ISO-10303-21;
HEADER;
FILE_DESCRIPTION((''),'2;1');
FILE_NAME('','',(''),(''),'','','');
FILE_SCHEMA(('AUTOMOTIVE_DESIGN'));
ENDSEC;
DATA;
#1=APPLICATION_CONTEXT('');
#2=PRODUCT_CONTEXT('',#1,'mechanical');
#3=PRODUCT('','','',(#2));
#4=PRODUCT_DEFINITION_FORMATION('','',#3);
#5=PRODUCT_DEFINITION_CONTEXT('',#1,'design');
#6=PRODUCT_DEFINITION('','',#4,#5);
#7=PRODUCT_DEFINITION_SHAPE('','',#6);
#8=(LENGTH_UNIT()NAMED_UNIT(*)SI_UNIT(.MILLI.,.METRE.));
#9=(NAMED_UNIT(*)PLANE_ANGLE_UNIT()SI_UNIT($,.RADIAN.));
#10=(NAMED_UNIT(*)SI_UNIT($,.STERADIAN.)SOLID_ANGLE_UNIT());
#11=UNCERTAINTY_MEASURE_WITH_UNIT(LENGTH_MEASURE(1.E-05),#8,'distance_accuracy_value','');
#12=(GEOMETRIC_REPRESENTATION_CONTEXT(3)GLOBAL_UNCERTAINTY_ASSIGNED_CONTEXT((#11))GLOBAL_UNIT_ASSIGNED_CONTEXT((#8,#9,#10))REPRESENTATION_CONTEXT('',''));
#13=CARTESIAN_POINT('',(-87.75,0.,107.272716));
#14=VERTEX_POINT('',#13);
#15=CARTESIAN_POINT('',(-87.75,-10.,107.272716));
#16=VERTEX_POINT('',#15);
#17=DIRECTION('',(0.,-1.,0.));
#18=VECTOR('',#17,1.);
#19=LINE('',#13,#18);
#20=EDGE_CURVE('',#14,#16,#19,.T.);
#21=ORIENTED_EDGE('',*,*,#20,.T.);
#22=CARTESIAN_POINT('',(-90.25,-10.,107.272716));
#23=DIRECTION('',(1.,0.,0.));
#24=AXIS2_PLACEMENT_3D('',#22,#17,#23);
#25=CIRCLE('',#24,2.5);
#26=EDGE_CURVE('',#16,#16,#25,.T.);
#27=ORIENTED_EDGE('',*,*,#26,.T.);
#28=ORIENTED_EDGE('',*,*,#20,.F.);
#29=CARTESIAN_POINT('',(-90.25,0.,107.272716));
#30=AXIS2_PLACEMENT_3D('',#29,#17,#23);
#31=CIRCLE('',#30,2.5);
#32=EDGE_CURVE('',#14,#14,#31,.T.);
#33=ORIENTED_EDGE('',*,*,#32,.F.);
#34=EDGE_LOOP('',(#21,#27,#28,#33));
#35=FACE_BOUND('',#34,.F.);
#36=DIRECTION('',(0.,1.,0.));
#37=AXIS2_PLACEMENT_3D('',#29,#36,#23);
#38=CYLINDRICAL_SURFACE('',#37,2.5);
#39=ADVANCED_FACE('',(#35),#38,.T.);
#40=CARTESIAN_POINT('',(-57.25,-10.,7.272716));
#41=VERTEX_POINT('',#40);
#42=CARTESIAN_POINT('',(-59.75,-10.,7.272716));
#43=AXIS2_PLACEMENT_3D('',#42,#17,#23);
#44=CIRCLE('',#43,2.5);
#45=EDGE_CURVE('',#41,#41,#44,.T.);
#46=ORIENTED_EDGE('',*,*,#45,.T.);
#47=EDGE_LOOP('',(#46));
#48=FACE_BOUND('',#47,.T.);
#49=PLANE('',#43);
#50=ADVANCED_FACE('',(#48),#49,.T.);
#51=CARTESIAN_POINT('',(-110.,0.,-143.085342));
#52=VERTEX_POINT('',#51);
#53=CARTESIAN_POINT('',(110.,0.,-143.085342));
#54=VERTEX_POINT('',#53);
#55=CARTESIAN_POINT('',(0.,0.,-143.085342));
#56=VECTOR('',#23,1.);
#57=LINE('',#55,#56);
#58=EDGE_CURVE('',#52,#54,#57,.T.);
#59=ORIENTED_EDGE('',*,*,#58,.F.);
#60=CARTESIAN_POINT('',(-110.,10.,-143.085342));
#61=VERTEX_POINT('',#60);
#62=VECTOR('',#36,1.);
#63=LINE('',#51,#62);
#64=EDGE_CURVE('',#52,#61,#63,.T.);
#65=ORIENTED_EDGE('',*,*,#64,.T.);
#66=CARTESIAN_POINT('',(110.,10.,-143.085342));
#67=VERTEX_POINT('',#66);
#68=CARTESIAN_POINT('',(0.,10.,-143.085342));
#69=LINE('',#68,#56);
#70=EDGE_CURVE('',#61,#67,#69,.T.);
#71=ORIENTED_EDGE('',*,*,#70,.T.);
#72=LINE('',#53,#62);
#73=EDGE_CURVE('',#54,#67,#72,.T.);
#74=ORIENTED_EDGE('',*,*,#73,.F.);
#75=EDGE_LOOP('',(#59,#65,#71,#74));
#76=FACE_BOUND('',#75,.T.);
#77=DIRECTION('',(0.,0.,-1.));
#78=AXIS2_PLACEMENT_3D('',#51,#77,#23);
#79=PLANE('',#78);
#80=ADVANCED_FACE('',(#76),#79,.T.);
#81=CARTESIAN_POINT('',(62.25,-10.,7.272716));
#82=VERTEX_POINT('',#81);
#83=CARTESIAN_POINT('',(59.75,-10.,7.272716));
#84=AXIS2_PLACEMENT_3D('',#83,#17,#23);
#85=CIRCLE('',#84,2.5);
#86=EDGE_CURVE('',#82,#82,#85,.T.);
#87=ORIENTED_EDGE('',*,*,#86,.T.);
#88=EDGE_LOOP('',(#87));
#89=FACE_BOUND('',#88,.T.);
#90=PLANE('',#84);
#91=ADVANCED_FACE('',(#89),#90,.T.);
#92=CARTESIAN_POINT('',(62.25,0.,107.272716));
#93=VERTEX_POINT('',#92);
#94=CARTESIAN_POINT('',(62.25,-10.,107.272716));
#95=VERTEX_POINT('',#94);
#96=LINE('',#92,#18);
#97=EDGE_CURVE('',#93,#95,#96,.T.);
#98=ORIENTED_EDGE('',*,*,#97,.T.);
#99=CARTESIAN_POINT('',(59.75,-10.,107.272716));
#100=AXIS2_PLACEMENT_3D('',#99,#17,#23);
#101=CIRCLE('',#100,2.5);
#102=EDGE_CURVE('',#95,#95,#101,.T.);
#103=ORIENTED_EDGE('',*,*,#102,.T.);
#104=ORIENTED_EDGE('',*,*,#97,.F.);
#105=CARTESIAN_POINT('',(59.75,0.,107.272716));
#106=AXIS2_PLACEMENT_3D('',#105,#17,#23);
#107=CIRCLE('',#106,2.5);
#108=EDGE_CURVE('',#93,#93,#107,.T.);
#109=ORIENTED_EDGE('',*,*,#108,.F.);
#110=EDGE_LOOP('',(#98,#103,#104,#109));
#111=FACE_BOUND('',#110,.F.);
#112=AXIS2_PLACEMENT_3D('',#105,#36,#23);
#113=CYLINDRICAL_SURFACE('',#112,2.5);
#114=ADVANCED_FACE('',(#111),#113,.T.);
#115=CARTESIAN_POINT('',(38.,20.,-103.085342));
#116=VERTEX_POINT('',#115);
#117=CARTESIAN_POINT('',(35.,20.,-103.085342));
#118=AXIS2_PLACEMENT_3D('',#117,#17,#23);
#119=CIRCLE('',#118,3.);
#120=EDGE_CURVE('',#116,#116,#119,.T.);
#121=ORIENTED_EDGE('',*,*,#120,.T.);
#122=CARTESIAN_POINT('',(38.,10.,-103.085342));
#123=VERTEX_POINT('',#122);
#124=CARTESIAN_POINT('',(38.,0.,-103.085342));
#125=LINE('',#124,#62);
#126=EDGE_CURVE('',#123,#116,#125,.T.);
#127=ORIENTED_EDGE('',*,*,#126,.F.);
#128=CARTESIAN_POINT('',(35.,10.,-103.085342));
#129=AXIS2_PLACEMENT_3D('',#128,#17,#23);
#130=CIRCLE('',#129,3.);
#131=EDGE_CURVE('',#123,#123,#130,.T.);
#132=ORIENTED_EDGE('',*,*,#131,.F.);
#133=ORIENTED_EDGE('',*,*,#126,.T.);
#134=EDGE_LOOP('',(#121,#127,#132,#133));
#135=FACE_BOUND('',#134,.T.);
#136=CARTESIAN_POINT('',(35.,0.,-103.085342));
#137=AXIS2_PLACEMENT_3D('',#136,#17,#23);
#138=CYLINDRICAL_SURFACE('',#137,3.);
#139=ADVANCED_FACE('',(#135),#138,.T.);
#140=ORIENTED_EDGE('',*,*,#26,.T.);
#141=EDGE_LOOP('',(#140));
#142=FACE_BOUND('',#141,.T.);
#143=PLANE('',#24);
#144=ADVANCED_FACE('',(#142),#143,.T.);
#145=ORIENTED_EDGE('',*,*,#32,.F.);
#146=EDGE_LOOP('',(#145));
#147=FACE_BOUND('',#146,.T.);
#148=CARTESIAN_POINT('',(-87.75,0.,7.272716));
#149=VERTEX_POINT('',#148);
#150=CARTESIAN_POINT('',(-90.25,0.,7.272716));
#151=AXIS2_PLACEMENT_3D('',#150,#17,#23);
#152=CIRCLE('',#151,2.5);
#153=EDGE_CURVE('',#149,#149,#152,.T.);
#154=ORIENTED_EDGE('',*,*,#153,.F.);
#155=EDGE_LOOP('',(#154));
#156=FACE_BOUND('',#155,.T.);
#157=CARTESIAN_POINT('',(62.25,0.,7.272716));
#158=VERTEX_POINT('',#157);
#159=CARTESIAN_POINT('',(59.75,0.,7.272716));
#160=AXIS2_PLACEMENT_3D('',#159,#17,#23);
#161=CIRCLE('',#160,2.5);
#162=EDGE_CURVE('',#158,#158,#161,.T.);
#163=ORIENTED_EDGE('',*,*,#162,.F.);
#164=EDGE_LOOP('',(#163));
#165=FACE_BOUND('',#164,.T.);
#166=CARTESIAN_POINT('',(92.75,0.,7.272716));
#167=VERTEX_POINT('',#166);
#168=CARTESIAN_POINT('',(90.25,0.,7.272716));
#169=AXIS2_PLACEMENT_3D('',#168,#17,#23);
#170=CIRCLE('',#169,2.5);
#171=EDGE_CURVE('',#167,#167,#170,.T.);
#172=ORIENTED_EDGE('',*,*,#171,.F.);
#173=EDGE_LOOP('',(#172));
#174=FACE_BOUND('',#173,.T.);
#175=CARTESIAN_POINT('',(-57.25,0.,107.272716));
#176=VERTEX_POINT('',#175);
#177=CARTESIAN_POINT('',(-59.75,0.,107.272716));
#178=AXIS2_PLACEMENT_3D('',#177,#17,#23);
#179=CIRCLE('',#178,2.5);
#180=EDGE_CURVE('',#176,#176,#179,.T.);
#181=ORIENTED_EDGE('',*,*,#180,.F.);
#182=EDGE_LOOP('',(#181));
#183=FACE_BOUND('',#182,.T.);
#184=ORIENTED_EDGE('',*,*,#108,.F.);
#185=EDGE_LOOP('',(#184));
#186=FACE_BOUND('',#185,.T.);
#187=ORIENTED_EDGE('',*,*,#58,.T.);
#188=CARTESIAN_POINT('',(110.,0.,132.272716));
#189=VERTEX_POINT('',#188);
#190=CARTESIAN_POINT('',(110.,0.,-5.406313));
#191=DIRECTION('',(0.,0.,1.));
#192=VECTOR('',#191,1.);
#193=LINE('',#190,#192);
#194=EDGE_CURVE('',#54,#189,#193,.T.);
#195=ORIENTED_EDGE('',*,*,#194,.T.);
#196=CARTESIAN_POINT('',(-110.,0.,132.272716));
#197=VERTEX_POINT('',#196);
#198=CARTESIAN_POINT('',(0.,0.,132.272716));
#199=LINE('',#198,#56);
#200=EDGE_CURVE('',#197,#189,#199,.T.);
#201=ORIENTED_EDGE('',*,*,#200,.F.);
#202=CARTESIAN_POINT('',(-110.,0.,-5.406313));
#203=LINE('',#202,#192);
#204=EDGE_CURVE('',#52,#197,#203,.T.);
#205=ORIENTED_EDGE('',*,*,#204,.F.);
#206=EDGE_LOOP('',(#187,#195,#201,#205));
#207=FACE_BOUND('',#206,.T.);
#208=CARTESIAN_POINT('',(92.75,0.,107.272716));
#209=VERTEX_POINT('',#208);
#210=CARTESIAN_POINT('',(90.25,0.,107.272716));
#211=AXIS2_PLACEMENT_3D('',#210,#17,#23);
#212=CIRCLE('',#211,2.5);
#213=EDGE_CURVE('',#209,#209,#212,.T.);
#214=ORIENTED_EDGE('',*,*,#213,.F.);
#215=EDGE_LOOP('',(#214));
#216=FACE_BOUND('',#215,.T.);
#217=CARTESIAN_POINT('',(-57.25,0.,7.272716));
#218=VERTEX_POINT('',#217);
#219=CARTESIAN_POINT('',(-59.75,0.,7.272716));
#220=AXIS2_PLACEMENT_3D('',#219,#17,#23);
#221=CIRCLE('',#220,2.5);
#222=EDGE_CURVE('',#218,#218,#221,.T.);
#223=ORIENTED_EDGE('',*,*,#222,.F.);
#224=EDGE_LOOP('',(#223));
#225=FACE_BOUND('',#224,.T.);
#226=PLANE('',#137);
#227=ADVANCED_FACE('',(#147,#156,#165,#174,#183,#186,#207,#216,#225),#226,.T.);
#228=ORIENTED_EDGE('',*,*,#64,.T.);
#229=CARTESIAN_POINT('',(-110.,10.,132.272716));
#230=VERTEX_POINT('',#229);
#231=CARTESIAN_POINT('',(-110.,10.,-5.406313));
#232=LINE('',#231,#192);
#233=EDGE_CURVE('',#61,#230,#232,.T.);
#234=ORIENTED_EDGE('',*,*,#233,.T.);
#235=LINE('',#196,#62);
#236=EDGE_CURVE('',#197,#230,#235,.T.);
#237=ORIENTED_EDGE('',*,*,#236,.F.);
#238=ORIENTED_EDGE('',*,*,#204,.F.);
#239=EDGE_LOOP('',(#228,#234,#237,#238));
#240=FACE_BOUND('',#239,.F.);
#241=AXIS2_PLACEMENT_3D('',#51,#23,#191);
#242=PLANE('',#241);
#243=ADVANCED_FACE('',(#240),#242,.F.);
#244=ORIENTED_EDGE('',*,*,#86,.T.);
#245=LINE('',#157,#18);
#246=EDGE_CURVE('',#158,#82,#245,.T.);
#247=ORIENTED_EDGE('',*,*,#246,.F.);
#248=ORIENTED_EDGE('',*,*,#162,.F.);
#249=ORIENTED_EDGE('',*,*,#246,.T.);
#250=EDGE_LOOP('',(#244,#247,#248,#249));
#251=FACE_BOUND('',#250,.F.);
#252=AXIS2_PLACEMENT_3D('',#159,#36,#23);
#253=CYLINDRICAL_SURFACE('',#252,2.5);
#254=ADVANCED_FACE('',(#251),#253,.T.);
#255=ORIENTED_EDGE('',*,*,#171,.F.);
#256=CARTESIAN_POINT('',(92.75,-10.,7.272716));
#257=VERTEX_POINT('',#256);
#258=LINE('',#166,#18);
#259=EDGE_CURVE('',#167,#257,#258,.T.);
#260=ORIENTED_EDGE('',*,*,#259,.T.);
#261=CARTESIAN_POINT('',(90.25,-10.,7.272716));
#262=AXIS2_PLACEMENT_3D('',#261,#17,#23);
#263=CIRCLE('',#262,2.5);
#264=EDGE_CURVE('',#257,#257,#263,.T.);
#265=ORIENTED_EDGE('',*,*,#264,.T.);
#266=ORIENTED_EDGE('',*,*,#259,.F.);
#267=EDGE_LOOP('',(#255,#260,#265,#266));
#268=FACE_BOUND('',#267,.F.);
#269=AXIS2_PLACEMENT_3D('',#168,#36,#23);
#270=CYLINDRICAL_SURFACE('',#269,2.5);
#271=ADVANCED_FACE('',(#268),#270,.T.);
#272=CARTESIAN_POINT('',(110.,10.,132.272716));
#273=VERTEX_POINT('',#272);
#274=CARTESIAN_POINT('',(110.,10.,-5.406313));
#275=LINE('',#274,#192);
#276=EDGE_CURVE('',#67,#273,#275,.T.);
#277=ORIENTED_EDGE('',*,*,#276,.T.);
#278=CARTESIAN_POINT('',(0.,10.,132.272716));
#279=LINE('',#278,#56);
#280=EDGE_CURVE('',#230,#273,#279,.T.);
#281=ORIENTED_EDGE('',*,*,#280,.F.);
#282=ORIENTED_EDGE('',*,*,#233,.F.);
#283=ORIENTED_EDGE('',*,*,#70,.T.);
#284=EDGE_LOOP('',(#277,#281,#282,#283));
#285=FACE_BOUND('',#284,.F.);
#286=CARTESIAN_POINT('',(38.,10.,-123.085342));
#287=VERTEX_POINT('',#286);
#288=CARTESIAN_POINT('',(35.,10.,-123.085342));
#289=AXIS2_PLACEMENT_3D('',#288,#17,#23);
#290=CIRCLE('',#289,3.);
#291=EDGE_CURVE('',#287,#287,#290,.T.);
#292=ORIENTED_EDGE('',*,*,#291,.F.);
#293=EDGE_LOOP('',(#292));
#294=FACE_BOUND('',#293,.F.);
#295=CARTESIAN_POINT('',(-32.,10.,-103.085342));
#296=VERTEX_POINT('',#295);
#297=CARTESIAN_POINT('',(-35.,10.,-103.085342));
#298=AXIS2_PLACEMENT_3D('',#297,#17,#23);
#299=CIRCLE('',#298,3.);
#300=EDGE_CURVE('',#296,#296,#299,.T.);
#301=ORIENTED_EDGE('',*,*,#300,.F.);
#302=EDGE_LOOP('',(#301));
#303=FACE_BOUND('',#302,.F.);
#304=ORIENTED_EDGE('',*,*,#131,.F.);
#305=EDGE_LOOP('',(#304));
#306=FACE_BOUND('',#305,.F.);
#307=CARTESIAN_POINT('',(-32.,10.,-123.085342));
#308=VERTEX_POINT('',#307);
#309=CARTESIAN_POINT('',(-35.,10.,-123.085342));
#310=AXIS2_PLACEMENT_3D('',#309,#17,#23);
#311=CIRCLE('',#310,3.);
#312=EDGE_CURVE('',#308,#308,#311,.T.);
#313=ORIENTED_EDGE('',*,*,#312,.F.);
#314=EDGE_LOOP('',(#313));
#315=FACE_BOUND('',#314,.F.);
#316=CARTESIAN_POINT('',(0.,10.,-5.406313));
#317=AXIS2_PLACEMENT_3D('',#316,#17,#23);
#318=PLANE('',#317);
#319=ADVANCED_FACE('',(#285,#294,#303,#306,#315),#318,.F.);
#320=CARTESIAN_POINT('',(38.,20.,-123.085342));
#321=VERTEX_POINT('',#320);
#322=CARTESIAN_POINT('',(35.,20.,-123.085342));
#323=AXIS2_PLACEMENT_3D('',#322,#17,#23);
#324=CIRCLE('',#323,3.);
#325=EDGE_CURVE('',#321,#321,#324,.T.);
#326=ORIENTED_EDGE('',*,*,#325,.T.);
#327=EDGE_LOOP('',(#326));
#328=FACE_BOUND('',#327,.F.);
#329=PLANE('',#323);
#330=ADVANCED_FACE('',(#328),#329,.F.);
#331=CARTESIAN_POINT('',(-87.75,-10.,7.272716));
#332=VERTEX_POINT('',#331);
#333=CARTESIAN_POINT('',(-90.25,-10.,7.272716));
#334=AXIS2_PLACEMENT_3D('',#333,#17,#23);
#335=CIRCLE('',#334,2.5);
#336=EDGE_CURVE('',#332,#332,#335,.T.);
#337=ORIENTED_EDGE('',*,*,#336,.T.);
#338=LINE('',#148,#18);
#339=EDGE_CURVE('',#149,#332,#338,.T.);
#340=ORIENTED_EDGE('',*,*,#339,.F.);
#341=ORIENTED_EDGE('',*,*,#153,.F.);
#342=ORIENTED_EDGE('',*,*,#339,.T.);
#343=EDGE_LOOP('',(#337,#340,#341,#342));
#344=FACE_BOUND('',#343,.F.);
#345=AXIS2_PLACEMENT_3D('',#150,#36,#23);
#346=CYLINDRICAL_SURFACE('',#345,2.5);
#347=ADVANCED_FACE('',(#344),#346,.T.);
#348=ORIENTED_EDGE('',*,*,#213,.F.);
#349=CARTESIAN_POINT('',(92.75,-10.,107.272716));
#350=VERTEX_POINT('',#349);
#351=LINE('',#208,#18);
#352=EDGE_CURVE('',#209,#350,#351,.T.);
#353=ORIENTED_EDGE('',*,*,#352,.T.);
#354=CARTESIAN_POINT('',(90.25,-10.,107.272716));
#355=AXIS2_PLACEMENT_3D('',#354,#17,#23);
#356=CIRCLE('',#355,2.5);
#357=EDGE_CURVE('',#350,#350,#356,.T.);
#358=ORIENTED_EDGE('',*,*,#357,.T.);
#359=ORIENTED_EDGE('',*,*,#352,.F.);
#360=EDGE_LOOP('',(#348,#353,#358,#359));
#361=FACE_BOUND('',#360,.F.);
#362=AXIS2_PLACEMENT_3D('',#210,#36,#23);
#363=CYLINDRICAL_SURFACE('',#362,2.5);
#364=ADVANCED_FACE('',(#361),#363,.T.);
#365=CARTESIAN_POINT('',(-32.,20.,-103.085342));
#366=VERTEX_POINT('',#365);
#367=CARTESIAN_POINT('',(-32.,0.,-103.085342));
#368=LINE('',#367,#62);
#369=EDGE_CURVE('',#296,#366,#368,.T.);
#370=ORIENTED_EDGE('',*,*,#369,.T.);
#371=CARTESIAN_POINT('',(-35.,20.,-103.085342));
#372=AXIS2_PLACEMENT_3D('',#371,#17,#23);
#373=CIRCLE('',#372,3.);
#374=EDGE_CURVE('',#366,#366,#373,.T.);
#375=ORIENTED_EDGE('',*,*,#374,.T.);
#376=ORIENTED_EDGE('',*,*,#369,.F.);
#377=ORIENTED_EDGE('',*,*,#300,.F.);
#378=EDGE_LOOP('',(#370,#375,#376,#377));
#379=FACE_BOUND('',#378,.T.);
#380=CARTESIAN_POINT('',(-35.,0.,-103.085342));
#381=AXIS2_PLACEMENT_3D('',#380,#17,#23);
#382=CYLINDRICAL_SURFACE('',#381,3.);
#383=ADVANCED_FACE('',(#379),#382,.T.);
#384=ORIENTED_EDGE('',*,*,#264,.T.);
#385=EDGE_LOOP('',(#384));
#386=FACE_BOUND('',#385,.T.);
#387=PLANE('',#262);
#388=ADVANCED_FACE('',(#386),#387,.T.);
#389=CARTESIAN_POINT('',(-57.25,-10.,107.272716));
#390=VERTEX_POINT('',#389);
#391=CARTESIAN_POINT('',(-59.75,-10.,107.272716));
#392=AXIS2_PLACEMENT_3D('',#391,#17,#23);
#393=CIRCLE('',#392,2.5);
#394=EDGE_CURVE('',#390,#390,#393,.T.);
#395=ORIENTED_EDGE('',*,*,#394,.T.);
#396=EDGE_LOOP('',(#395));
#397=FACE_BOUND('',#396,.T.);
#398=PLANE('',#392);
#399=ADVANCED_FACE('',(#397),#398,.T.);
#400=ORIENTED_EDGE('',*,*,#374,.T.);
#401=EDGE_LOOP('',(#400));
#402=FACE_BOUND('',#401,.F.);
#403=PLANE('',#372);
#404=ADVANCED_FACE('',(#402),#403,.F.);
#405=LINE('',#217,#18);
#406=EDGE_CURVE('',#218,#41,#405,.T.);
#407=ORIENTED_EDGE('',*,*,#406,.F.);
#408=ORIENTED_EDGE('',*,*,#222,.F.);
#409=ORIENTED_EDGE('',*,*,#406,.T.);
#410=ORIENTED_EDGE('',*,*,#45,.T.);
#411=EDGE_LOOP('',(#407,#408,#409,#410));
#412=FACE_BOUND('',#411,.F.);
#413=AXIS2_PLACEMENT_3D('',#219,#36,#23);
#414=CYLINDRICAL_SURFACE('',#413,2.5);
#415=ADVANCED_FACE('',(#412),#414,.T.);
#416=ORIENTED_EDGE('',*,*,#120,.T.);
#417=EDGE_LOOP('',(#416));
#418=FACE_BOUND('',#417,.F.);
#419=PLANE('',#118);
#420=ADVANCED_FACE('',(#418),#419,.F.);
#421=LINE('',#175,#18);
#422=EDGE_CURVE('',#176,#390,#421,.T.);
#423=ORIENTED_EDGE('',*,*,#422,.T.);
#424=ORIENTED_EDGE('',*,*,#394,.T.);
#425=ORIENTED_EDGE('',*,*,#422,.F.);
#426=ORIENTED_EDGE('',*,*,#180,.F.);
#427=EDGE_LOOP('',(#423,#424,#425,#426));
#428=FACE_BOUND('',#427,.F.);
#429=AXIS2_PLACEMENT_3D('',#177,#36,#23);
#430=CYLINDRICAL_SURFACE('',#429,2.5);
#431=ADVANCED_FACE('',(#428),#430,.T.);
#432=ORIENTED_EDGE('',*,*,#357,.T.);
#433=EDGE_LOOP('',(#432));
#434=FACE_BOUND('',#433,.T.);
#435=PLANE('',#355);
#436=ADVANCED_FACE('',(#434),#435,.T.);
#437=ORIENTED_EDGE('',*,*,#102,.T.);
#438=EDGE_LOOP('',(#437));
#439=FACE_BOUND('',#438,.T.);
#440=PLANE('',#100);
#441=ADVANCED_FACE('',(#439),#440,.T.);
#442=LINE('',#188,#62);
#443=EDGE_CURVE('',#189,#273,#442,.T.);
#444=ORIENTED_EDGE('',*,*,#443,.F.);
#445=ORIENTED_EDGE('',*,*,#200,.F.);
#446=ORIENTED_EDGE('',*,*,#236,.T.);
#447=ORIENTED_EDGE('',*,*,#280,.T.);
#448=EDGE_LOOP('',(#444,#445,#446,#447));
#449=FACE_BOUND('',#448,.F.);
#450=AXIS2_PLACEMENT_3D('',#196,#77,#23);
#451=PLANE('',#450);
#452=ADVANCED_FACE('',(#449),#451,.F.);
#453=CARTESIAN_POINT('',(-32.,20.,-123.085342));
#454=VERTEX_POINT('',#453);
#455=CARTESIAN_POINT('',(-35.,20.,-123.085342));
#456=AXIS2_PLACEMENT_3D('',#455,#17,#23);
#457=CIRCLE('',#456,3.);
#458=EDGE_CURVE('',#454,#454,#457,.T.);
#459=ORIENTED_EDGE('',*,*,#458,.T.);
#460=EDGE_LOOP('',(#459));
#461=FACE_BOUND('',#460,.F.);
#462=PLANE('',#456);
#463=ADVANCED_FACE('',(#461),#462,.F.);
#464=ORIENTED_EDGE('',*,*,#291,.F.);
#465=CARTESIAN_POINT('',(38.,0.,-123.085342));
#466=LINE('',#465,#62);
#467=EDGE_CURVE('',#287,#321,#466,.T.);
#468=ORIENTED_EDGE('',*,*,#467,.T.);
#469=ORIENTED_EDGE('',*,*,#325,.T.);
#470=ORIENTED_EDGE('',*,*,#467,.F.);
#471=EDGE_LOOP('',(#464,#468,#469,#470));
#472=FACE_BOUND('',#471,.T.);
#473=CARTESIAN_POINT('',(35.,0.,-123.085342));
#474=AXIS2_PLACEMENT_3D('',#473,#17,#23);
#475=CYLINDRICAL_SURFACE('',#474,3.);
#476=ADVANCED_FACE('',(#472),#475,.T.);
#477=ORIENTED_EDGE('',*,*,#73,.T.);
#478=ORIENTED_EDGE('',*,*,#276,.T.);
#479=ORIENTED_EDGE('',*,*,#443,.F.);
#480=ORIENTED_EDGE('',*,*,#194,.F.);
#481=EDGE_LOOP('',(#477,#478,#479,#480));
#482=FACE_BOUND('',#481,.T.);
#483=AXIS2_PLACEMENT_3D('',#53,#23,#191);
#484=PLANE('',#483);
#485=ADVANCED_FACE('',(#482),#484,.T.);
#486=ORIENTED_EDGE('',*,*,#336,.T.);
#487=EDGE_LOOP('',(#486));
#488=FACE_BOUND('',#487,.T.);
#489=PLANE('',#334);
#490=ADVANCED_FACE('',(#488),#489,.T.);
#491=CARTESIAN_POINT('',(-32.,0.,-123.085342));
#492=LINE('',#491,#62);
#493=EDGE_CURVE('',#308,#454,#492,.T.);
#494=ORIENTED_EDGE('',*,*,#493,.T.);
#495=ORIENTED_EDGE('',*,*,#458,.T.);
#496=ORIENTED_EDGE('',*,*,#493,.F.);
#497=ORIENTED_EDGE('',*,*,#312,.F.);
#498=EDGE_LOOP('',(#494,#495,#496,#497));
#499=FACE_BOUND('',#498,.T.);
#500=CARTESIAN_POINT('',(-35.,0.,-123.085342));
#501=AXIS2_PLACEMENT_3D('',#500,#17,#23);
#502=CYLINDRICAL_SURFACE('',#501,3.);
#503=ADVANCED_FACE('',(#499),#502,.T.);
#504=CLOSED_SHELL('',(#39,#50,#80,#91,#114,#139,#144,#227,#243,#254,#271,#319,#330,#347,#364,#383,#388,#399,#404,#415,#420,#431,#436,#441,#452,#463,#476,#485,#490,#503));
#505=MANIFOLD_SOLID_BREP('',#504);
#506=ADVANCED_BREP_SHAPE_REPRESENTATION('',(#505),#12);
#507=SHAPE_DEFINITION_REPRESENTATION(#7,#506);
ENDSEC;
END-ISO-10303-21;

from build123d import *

# Parameters (mm, degrees)
F0_W     = 220
F0_H     = 275.358058
F0_R     = 2.5
F1_DEPTH = 10
F2_DEPTH = 10
F3_R     = 3
F4_DEPTH = 20


with BuildPart() as f1:
    # F0 (on Front) → F1 (new body)
    with BuildSketch(Plane.XZ):
        with Locations((0, -5.406313)):
            Rectangle(F0_W, F0_H)
        with Locations((-90.25, 7.272716)):
            Circle(F0_R, mode=Mode.SUBTRACT)
        with Locations((-59.75, 7.272716)):
            Circle(F0_R, mode=Mode.SUBTRACT)
        with Locations((-90.25, 107.272716)):
            Circle(F0_R, mode=Mode.SUBTRACT)
        with Locations((-59.75, 107.272716)):
            Circle(F0_R, mode=Mode.SUBTRACT)
        with Locations((59.75, 7.272716)):
            Circle(F0_R, mode=Mode.SUBTRACT)
        with Locations((90.25, 7.272716)):
            Circle(F0_R, mode=Mode.SUBTRACT)
        with Locations((59.75, 107.272716)):
            Circle(F0_R, mode=Mode.SUBTRACT)
        with Locations((90.25, 107.272716)):
            Circle(F0_R, mode=Mode.SUBTRACT)
        with Locations((-90.25, 107.272716)):
            Circle(F0_R)
        with Locations((-59.75, 107.272716)):
            Circle(F0_R)
        with Locations((-90.25, 7.272716)):
            Circle(F0_R)
        with Locations((-59.75, 7.272716)):
            Circle(F0_R)
        with Locations((59.75, 7.272716)):
            Circle(F0_R)
        with Locations((90.25, 7.272716)):
            Circle(F0_R)
        with Locations((59.75, 107.272716)):
            Circle(F0_R)
        with Locations((90.25, 107.272716)):
            Circle(F0_R)
    extrude(amount=-F1_DEPTH)

    # F0 (on Front) → F2 (join)
    with BuildSketch(Plane.XZ):
        with Locations((90.25, 107.272716)):
            Circle(F0_R)
        with Locations((59.75, 107.272716)):
            Circle(F0_R)
        with Locations((-59.75, 107.272716)):
            Circle(F0_R)
        with Locations((-90.25, 107.272716)):
            Circle(F0_R)
        with Locations((90.25, 7.272716)):
            Circle(F0_R)
        with Locations((59.75, 7.272716)):
            Circle(F0_R)
        with Locations((-90.25, 7.272716)):
            Circle(F0_R)
        with Locations((-59.75, 7.272716)):
            Circle(F0_R)
    extrude(amount=F2_DEPTH)

    # F3 (on face) → F4 (join)
    with BuildSketch(Plane.XZ):
        with Locations((35, -103.085342)):
            Circle(F3_R)
        with Locations((35, -123.085342)):
            Circle(F3_R)
        with Locations((-35, -123.085342)):
            Circle(F3_R)
        with Locations((-35, -103.085342)):
            Circle(F3_R)
    extrude(amount=-F4_DEPTH)


solid = f1.part
